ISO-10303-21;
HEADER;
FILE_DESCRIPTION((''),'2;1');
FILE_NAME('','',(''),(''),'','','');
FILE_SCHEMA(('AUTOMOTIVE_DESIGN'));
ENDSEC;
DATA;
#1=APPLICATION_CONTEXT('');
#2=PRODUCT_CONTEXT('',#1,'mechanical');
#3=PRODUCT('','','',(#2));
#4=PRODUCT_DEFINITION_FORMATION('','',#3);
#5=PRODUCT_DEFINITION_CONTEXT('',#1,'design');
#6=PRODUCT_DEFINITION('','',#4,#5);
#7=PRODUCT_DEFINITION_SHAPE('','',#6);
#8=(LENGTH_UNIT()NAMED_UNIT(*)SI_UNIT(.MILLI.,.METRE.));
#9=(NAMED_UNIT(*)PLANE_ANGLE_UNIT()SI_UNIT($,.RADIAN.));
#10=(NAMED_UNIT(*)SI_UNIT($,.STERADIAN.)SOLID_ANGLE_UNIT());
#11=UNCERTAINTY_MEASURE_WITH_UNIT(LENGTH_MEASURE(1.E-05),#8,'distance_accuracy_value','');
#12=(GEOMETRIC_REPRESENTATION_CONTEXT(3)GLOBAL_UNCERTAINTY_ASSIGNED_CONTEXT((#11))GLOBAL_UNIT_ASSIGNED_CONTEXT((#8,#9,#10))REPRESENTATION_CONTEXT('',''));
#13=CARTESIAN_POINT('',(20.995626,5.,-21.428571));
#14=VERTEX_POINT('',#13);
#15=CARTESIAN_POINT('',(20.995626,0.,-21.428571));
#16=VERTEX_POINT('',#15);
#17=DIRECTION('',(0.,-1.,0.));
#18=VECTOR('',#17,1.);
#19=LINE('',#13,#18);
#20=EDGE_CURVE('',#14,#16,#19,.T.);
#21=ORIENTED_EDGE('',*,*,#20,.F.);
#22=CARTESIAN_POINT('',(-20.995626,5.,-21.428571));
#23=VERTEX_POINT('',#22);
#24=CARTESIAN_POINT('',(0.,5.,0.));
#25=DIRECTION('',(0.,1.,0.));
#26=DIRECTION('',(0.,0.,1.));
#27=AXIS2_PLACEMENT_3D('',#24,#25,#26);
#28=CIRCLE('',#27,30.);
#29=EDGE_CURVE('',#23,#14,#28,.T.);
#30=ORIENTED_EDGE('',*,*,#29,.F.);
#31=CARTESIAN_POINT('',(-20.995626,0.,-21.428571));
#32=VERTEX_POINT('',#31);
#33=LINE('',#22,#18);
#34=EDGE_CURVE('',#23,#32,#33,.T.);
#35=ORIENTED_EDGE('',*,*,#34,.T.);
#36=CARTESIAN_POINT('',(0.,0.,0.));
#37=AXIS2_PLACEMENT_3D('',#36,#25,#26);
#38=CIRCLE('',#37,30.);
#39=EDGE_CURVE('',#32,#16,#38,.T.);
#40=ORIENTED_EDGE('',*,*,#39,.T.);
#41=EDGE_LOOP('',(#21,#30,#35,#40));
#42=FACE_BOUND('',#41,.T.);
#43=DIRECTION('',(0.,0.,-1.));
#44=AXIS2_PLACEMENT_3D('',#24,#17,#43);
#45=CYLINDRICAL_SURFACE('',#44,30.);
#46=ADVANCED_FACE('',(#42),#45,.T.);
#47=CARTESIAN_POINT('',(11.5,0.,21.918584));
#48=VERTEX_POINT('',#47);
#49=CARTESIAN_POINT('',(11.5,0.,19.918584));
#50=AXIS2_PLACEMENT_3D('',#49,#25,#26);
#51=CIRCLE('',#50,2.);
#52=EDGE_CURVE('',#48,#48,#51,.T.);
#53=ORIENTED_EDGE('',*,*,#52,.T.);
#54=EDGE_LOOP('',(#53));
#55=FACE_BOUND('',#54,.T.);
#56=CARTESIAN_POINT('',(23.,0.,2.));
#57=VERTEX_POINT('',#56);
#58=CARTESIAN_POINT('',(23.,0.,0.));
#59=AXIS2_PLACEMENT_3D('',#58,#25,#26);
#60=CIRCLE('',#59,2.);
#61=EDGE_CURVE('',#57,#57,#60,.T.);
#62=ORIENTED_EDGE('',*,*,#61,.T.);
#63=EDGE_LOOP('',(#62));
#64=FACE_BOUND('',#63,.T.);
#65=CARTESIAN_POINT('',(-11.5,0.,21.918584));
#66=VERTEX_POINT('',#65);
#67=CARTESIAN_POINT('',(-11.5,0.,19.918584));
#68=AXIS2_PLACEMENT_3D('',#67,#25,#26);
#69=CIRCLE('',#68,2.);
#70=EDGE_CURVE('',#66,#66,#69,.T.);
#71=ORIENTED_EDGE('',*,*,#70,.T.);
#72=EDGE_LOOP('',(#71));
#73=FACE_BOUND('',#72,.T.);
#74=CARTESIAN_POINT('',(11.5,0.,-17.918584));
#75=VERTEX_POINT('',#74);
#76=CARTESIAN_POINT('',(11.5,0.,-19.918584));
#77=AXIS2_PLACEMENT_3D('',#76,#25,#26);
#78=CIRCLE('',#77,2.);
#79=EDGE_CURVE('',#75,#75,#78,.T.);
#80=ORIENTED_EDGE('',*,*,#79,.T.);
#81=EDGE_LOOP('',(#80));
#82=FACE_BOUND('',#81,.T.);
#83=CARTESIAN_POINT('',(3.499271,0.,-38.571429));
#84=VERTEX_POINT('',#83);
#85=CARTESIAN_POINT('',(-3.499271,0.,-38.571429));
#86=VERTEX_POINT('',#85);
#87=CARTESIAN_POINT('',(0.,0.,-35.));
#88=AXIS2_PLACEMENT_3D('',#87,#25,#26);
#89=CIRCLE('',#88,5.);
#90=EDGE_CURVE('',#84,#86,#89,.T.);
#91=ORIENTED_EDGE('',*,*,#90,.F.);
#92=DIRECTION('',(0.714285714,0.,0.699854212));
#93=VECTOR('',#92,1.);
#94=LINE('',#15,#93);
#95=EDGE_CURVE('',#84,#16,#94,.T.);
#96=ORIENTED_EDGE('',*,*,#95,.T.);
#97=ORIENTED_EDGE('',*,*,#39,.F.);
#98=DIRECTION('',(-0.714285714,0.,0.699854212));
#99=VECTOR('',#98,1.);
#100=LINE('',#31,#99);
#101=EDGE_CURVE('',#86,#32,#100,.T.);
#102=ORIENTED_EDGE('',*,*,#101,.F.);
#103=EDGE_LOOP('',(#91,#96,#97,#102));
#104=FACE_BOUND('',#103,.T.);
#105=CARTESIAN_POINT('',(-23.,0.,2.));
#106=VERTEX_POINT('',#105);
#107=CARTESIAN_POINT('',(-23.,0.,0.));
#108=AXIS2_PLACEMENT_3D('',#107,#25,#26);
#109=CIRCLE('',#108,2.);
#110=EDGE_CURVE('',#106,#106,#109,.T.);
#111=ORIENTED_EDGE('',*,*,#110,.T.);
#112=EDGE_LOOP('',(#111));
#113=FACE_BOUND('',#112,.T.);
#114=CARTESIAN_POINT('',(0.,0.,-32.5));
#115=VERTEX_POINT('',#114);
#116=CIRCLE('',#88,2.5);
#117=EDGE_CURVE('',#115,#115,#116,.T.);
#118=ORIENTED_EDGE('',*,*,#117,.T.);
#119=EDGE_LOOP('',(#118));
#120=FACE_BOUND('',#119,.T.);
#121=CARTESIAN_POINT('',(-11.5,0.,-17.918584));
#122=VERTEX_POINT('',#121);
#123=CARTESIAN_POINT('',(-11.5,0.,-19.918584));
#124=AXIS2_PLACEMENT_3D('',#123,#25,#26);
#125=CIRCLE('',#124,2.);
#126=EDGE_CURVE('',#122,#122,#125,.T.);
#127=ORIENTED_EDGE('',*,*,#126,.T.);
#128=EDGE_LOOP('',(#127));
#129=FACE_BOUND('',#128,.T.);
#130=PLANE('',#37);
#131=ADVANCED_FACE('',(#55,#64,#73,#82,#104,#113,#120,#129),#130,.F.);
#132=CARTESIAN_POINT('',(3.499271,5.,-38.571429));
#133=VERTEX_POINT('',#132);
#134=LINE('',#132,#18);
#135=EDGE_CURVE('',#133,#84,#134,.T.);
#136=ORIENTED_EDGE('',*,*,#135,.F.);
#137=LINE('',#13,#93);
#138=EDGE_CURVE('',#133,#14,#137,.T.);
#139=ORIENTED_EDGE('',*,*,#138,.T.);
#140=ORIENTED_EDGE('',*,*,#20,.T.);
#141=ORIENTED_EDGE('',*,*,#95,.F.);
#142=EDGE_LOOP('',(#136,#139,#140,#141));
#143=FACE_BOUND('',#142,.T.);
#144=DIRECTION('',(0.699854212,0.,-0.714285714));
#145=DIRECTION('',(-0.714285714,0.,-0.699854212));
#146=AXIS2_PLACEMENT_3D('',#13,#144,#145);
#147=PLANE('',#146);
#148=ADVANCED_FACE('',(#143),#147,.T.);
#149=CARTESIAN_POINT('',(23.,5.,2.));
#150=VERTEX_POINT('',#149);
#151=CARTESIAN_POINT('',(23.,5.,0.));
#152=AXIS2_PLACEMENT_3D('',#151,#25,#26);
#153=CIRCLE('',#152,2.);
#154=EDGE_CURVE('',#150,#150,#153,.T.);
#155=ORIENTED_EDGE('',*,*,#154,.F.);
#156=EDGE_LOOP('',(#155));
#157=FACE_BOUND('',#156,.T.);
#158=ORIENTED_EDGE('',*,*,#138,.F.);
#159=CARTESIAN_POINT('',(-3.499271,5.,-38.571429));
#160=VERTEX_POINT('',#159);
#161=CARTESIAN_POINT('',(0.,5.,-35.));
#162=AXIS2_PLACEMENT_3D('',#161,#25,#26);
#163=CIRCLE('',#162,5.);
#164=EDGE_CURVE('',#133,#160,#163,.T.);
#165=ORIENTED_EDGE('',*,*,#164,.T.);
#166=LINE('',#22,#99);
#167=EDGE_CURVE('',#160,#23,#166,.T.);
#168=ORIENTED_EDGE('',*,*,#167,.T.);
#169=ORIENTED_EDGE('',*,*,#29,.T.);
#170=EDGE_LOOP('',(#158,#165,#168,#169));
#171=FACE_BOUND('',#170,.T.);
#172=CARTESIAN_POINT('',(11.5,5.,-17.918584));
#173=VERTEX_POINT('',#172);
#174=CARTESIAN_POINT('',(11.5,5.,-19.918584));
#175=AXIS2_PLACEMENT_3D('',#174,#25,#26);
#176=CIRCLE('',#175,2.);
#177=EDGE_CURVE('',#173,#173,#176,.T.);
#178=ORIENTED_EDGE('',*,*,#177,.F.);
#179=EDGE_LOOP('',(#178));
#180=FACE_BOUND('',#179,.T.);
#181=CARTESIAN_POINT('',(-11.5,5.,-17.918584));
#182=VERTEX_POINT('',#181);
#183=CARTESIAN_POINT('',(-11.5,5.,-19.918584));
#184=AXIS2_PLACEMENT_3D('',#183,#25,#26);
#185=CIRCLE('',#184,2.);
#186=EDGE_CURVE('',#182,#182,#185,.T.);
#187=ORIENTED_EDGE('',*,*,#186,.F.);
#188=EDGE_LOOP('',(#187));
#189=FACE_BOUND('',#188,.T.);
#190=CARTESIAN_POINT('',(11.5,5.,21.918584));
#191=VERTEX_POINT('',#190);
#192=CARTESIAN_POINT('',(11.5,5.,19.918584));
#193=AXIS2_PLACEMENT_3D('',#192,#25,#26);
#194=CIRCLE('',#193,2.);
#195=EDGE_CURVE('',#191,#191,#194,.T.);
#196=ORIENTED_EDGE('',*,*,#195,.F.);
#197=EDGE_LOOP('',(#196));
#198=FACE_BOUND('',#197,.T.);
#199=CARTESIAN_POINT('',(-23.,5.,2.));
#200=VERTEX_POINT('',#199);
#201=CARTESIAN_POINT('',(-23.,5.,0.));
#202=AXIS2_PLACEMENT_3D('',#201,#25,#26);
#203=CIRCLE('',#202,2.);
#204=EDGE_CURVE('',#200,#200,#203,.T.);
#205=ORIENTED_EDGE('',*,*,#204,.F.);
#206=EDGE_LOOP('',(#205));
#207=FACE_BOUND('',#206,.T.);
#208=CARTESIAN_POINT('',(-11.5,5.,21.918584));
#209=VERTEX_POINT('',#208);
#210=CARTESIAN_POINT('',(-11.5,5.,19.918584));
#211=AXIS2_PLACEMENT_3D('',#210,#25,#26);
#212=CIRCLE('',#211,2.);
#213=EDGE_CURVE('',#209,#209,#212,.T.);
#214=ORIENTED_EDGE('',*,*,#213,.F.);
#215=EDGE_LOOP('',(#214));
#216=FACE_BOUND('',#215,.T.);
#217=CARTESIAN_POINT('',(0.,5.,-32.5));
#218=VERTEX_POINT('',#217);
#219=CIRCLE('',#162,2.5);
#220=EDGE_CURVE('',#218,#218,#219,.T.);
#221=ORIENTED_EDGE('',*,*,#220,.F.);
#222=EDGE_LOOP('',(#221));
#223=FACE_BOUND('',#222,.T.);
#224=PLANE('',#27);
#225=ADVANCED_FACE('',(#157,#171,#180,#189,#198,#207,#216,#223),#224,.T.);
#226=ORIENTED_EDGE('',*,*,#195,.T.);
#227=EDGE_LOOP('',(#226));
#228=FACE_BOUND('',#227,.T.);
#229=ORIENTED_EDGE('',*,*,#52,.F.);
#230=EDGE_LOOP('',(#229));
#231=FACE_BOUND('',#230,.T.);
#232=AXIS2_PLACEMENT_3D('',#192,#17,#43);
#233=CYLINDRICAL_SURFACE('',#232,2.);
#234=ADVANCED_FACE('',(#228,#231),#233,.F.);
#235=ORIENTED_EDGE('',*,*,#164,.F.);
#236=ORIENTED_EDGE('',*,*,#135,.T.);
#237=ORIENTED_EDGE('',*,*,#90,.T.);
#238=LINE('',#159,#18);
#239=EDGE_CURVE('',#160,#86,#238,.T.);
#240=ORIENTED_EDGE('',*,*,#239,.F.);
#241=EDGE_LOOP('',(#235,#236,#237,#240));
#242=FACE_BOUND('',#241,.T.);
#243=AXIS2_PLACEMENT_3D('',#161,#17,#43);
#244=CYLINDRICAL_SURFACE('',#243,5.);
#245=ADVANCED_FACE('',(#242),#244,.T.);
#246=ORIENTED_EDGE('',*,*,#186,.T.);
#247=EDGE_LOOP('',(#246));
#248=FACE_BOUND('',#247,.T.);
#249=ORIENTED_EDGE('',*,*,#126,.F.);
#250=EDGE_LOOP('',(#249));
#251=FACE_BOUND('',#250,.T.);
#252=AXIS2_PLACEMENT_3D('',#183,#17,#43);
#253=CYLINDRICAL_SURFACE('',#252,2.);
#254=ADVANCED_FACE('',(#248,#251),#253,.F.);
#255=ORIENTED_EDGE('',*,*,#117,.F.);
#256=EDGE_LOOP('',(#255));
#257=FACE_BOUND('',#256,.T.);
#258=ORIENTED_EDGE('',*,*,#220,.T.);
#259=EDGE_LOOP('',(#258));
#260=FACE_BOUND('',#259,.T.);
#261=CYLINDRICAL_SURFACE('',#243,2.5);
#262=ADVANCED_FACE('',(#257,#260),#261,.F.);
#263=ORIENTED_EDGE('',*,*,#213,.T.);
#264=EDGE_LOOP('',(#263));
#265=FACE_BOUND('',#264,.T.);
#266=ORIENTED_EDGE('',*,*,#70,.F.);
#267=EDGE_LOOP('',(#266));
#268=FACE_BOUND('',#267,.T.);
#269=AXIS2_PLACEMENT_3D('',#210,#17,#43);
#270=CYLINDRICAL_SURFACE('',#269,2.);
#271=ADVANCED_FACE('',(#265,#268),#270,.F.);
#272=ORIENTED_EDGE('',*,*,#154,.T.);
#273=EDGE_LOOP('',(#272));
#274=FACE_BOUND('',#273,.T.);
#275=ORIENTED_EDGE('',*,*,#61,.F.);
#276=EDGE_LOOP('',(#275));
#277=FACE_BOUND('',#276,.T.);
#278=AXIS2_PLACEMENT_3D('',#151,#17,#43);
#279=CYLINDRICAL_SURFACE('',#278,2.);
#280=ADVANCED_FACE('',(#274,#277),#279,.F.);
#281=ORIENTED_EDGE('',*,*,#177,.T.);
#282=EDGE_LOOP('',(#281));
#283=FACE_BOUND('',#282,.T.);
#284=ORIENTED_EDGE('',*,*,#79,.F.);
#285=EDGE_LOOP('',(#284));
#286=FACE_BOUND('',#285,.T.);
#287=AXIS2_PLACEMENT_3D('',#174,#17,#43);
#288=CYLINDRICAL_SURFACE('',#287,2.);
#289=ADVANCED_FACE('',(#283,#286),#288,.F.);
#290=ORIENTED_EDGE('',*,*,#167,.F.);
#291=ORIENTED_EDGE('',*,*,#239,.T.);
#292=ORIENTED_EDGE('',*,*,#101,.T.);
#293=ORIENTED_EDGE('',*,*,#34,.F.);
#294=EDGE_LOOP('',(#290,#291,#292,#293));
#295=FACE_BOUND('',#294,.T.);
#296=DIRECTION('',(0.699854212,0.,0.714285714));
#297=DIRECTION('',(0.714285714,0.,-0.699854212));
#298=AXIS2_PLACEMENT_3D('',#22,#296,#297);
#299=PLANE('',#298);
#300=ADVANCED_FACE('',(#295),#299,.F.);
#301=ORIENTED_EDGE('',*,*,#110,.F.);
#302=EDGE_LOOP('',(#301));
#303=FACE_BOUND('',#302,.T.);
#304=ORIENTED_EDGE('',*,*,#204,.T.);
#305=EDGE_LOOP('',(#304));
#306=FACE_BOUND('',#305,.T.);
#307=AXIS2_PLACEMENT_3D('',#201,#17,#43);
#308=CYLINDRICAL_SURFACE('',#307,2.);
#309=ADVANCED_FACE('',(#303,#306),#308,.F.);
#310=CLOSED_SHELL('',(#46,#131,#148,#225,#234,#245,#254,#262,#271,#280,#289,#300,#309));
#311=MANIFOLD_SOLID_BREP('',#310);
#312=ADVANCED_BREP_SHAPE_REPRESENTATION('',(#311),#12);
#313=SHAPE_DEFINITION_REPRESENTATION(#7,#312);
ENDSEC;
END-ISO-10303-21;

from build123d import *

# Parameters (mm, degrees)
SKETCH1_R           = 2
SKETCH1_R_2         = 5
SKETCH1_R_3         = 2.5
BOSS_EXTRUDE1_DEPTH = 5


with BuildPart() as part:
    # Sketch1 → Boss-Extrude1 (new body)
    # profile 1 of 4: a face of its own
    with BuildSketch(Plane(origin=(0, 0, 0), x_dir=(1, 0, 0), z_dir=(0, 1, 0))):
        with BuildLine():
            ThreePointArc((-1.9e-08, 30), (-11.338934199, 27.77460299), (-20.995626367, 21.428571429))
            ThreePointArc((-20.995626367, 21.428571429), (-11.621772864, -27.657447379), (30, 0))
            ThreePointArc((30, 0), (27.657447379, 11.621772864), (20.995626367, 21.428571429))
            ThreePointArc((20.995626367, 21.428571429), (11.338934182, 27.774602997), (-1.9e-08, 30))
        make_face()
        with Locations(Location((-11.5, -19.918584287, 0), (0, 0, 270))):
            Circle(SKETCH1_R, mode=Mode.SUBTRACT)
        with Locations(Location((-23, 0, 0), (0, 0, 270))):
            Circle(SKETCH1_R, mode=Mode.SUBTRACT)
        with Locations(Location((11.5, -19.918584287, 0), (0, 0, 270))):
            Circle(SKETCH1_R, mode=Mode.SUBTRACT)
        with Locations(Location((23, 0, 0), (0, 0, 270))):
            Circle(SKETCH1_R, mode=Mode.SUBTRACT)
        with Locations(Location((-11.5, 19.918584287, 0), (0, 0, 270))):
            Circle(SKETCH1_R, mode=Mode.SUBTRACT)
        with Locations(Location((11.5, 19.918584287, 0), (0, 0, 270))):
            Circle(SKETCH1_R, mode=Mode.SUBTRACT)
    # profile 2 of 4: a face of its own
    with BuildSketch(Plane(origin=(0, 0, 0), x_dir=(1, 0, 0), z_dir=(0, 1, 0))):
        with BuildLine():
            Line((20.995626367, 21.428571429), (3.499271061, 38.571428571))
            ThreePointArc((3.499271061, 38.571428571), (4.609574563, 36.936962144), (5, 35))
            ThreePointArc((5, 35), (3.535533899, 31.464466087), (-1.9e-08, 30))
            ThreePointArc((-1.9e-08, 30), (11.338934182, 27.774602997), (20.995626367, 21.428571429))
        make_face()
    # profile 3 of 4: a face of its own
    with BuildSketch(Plane(origin=(0, 0, 0), x_dir=(1, 0, 0), z_dir=(0, 1, 0))):
        with BuildLine():
            ThreePointArc((-1.9e-08, 30), (-4.629100502, 33.110177644), (-3.499271061, 38.571428571))
            Line((-3.499271061, 38.571428571), (-20.995626367, 21.428571429))
            ThreePointArc((-20.995626367, 21.428571429), (-11.338934199, 27.77460299), (-1.9e-08, 30))
        make_face()
    # profile 4 of 4: a face of its own
    with BuildSketch(Plane(origin=(0, 0, 0), x_dir=(1, 0, 0), z_dir=(0, 1, 0))):
        with Locations((0, 35)):
            Circle(SKETCH1_R_2)
        with Locations(Location((0, 35, 0), (0, 0, 270))):
            Circle(SKETCH1_R_3, mode=Mode.SUBTRACT)
    extrude(amount=BOSS_EXTRUDE1_DEPTH)


solid = part.part
